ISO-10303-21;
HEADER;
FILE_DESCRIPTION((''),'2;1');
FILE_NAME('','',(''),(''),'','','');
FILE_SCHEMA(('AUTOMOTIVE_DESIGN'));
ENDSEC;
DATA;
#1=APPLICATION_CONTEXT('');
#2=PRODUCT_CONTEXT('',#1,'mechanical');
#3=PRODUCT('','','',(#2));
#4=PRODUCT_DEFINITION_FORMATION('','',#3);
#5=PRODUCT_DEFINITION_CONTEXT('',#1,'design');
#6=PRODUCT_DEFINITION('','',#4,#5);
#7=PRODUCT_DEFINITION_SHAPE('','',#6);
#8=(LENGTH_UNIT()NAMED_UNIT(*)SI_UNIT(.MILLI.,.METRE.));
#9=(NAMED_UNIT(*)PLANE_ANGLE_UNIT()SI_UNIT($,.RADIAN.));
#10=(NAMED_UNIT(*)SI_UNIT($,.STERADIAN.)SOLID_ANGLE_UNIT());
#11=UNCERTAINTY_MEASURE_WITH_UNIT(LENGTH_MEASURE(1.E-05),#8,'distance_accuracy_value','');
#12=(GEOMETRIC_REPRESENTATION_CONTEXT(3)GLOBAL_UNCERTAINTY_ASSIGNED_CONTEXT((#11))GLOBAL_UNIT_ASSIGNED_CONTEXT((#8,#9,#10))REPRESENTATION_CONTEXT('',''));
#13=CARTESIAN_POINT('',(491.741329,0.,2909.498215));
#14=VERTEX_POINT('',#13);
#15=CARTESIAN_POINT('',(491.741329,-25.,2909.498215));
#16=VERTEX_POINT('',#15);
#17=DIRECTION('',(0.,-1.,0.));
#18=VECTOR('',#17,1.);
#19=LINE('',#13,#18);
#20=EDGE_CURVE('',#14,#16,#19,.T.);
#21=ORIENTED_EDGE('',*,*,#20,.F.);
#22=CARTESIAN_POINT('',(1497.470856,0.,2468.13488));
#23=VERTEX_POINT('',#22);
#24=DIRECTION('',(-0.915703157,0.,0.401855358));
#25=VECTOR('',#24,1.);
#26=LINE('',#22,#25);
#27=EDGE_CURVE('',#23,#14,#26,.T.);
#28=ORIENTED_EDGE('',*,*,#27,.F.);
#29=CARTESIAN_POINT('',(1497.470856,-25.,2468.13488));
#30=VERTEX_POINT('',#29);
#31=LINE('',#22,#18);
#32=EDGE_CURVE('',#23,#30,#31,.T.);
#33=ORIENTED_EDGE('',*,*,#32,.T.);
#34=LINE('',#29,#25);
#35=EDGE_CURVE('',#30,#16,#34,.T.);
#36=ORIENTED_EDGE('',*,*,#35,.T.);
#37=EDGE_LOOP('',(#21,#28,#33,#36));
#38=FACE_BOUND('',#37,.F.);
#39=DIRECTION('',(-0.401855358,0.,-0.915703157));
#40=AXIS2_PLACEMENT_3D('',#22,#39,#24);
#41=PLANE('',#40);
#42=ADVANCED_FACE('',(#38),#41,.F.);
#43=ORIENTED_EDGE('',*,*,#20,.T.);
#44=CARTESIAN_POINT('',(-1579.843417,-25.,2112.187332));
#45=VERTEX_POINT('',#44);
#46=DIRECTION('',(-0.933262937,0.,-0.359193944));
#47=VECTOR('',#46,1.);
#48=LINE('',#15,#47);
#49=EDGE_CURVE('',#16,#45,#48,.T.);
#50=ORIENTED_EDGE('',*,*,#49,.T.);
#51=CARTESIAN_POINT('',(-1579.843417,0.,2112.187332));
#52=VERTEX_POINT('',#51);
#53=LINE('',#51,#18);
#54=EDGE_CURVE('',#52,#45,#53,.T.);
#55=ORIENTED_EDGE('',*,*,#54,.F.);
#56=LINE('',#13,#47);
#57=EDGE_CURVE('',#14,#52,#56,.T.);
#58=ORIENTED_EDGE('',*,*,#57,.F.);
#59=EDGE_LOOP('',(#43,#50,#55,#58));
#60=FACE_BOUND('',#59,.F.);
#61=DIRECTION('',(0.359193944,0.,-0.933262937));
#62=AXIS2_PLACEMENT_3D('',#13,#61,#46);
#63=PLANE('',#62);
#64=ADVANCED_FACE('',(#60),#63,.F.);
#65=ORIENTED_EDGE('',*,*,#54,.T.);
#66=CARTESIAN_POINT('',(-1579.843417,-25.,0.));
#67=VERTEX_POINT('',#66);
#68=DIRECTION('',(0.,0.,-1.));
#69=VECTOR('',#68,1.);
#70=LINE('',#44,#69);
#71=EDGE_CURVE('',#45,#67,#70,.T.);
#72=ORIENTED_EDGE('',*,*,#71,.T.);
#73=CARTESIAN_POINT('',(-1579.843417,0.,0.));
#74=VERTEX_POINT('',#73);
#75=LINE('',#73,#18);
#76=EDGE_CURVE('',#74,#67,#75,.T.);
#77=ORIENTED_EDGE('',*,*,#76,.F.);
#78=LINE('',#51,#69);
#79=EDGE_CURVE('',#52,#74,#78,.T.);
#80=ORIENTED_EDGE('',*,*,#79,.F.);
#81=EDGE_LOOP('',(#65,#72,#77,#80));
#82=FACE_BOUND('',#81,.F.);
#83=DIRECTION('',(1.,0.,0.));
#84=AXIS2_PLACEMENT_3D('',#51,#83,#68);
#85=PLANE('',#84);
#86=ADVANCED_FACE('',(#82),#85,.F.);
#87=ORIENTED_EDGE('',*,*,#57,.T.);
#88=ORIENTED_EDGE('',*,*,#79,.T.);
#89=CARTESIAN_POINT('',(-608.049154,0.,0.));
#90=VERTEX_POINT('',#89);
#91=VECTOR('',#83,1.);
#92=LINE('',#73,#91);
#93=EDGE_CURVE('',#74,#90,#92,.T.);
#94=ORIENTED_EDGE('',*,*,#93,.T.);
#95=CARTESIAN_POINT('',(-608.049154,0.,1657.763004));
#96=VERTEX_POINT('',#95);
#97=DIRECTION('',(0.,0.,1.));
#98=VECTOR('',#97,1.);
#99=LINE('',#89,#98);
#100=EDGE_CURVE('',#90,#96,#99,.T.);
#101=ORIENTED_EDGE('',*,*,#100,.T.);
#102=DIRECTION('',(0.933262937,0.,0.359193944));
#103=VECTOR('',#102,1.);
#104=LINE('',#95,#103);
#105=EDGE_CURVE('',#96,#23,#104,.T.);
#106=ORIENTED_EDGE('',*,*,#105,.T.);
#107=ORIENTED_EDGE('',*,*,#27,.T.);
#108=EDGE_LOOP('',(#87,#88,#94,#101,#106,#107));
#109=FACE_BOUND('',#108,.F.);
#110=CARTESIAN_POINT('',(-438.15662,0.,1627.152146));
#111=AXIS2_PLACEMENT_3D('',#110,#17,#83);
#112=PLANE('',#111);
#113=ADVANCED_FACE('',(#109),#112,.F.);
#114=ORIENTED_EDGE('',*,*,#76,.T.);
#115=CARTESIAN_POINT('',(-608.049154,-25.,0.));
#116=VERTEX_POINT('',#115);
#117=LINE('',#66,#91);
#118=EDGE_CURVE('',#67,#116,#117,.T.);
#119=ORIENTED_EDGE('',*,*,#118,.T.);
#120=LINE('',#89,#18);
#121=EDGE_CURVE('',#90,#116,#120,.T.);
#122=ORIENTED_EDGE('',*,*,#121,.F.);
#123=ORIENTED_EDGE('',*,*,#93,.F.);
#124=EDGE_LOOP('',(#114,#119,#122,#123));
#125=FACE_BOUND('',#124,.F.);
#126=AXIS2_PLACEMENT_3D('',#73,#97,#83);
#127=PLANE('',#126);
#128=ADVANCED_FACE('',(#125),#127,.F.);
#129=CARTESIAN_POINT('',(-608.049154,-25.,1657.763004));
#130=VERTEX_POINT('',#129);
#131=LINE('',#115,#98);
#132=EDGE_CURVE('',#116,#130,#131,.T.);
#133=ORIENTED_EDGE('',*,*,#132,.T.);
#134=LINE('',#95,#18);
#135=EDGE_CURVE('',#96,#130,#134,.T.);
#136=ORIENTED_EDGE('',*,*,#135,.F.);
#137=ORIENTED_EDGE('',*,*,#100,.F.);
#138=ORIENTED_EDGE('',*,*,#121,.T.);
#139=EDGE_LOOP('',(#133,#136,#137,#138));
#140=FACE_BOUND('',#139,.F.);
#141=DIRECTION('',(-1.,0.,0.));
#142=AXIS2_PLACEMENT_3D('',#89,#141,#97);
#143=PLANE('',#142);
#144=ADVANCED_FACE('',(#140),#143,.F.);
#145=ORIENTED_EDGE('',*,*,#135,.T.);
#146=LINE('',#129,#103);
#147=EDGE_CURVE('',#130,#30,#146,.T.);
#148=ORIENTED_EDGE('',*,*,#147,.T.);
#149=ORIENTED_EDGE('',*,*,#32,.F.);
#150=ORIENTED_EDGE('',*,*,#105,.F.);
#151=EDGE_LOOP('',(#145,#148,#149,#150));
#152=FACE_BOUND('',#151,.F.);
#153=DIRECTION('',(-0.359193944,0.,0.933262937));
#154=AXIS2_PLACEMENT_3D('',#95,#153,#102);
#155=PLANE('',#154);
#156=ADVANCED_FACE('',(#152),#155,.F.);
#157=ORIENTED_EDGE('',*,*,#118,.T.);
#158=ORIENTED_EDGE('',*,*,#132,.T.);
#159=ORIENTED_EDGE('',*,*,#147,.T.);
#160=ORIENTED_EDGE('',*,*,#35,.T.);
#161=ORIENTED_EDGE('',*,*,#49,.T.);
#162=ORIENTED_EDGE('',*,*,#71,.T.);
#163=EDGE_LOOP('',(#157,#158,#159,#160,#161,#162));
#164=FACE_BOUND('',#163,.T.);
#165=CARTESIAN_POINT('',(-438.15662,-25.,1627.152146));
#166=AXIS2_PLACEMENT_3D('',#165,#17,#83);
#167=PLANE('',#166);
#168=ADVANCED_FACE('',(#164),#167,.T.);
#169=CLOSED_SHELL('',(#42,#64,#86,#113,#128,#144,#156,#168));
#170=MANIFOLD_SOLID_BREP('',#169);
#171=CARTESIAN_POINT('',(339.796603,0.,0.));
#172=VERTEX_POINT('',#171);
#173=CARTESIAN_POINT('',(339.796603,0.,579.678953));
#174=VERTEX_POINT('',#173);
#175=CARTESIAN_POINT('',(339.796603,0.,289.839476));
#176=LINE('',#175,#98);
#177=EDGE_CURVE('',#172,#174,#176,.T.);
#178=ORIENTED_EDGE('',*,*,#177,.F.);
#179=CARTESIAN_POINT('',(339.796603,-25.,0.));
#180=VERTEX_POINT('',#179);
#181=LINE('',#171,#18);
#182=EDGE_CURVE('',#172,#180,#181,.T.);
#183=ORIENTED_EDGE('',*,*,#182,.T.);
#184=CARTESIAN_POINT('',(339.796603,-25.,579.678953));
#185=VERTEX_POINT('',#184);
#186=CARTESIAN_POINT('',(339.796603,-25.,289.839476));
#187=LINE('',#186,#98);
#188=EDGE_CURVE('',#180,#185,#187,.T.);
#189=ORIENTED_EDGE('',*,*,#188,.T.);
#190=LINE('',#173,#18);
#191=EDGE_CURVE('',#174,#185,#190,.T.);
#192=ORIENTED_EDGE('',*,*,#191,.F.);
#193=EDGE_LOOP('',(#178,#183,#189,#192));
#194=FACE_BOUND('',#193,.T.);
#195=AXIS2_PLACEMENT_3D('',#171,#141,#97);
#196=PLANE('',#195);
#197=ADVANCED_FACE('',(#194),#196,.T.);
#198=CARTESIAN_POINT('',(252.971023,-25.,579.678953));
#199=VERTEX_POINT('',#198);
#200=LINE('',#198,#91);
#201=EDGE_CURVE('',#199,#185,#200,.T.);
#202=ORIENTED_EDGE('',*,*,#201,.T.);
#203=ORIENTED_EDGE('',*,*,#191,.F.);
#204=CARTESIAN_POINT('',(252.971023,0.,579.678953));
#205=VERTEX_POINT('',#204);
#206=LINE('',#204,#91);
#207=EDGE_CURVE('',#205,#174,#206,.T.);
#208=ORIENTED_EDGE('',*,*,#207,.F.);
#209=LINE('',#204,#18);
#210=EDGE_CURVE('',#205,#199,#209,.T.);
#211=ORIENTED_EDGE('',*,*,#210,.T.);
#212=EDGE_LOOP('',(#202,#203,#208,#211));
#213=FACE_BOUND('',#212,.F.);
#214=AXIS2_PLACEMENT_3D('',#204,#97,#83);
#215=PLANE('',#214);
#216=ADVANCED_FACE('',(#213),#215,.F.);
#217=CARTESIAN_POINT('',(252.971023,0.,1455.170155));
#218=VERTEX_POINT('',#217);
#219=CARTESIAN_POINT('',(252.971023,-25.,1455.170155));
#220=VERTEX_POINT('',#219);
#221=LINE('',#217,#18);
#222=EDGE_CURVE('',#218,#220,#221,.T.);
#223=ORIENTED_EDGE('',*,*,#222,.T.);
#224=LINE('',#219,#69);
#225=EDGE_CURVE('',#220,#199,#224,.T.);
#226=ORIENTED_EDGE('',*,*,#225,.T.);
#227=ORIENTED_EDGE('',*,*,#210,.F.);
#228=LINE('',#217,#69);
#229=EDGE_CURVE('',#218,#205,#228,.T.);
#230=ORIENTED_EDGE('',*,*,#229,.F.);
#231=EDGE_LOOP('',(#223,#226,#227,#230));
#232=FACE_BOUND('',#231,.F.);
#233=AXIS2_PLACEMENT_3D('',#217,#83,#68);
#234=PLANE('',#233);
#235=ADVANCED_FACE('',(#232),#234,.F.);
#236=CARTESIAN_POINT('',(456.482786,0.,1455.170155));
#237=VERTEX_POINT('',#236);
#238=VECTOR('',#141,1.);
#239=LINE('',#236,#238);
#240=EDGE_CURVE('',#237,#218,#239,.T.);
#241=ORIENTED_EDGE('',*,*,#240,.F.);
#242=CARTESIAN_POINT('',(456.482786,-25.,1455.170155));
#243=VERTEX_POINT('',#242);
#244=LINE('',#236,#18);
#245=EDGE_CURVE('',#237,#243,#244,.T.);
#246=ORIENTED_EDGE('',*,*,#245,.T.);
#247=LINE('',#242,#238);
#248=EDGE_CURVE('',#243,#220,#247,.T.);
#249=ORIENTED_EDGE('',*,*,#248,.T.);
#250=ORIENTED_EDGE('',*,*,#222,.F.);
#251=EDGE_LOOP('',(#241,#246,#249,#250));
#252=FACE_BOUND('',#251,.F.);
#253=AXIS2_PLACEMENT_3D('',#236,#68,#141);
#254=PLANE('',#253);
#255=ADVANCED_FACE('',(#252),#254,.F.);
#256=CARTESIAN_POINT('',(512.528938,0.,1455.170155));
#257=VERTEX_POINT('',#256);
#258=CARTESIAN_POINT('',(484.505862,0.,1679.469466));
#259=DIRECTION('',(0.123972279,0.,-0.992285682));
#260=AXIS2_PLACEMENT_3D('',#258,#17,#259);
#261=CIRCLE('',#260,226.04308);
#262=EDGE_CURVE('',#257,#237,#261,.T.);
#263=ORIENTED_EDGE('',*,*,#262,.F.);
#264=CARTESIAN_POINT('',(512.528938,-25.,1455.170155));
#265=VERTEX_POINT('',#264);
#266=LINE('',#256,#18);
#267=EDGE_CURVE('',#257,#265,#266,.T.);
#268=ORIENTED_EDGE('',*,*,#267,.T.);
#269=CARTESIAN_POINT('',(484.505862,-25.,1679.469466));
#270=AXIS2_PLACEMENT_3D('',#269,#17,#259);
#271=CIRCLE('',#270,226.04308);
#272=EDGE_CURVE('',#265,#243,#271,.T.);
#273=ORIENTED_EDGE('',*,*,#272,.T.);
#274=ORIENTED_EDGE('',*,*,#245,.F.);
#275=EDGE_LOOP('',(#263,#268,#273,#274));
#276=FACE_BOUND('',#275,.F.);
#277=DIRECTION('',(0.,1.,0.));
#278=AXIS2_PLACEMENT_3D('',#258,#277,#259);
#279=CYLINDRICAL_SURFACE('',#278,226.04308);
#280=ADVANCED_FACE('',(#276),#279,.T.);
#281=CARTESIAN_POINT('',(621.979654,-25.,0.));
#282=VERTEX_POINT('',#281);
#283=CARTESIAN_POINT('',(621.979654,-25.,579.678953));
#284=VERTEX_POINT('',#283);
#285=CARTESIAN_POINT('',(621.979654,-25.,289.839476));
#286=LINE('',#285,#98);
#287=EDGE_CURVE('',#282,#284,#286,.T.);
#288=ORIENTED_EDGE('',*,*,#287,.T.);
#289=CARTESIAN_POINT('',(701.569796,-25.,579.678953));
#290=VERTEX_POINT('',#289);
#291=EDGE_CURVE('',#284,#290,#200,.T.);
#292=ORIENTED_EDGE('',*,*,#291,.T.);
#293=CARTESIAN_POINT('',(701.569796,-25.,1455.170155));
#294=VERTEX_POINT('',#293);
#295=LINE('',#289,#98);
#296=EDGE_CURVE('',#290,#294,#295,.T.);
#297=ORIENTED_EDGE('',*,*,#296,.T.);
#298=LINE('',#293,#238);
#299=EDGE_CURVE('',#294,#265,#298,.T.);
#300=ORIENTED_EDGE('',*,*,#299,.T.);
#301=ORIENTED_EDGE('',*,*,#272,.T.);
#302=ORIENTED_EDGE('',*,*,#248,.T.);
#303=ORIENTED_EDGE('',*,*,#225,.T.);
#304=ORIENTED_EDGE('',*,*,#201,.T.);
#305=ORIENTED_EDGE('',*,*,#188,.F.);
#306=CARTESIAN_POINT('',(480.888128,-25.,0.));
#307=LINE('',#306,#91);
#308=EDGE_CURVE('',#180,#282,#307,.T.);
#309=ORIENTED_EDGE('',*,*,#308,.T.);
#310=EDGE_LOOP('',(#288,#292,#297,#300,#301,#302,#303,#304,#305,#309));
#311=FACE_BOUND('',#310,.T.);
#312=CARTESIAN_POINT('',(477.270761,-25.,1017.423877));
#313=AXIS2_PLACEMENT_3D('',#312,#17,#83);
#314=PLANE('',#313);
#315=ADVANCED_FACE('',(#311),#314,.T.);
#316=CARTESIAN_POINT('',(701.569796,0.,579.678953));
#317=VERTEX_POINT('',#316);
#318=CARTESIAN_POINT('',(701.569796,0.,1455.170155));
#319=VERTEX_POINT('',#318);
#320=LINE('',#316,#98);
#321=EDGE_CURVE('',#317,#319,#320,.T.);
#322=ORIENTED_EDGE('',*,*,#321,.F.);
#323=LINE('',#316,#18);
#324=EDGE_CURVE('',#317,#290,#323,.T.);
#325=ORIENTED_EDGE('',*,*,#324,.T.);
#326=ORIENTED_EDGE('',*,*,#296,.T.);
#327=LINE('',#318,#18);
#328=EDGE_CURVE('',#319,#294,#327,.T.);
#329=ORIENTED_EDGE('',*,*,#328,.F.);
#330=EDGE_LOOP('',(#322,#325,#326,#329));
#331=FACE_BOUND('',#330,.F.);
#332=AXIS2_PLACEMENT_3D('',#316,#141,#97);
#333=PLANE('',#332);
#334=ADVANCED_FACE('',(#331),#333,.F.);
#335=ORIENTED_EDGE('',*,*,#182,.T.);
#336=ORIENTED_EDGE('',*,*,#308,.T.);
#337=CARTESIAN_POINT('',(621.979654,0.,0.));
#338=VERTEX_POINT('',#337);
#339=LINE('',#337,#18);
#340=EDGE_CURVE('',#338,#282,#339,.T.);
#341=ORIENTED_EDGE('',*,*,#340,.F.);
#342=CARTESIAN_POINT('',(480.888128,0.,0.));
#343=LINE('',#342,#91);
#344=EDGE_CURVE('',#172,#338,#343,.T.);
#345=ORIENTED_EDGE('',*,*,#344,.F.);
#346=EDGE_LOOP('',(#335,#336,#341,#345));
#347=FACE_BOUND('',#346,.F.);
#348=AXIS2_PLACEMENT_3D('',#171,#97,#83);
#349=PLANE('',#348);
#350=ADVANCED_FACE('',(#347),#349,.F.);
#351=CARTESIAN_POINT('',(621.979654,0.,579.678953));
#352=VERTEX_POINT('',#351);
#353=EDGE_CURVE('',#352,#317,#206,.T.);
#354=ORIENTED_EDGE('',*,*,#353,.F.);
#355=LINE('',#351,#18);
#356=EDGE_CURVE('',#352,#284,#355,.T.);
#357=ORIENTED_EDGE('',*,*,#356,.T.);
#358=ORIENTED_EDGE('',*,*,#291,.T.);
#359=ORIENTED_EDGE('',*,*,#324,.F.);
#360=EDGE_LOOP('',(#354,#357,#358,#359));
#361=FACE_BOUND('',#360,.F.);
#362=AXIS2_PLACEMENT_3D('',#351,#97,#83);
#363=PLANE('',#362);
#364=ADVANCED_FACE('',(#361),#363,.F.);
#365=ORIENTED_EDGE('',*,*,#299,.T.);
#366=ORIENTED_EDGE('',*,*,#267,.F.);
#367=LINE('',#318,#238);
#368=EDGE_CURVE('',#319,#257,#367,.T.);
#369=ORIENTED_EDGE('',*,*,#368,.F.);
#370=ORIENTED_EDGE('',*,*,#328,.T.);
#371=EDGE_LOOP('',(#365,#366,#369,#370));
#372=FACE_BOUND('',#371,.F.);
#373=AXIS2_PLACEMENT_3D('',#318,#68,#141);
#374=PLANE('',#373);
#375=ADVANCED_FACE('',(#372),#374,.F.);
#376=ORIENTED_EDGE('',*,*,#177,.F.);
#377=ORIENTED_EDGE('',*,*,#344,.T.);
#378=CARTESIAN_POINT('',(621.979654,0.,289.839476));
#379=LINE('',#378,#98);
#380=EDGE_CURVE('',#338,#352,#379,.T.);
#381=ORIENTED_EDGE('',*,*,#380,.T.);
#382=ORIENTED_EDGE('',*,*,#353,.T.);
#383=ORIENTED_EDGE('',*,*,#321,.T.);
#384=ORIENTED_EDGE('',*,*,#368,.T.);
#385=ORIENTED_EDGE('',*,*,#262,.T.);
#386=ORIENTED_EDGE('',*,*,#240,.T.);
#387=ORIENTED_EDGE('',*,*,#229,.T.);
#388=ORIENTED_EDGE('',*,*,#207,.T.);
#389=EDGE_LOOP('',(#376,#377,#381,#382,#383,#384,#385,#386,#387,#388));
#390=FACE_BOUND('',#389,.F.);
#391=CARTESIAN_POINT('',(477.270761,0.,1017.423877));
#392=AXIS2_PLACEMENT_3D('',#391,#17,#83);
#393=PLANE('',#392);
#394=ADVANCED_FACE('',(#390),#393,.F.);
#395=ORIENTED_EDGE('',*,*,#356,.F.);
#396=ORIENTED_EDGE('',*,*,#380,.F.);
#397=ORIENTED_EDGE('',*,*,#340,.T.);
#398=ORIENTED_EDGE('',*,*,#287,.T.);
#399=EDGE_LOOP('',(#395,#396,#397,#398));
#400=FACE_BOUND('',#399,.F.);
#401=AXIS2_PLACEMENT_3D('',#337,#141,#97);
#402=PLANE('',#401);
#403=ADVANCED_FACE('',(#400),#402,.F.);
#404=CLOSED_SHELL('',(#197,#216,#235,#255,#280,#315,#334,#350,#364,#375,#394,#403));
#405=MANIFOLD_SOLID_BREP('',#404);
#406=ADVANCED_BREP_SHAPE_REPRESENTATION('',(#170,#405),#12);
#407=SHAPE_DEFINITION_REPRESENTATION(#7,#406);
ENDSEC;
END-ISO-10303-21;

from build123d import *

# Parameters (mm, degrees)
F2_DEPTH = 25
F0_W     = 282.1830511093
F0_H     = 579.6789526939
F3_DEPTH = 25


with BuildPart() as f2:
    # F1 (on Front) → F2 (new body)
    with BuildSketch(Plane.XZ):
        Polygon((-1579.8434172484, 0), (-608.0491542816, 0), (-608.0491542816, 1657.763004303), (1497.4708557129, 2468.1348800659), (491.7413294315, 2909.4982147217), (-1579.8434172484, 2112.1873323742), align=None)
    extrude(amount=F2_DEPTH)


with BuildPart() as f3:
    # F0 (on Front) → F3 (new body)
    with BuildSketch(Plane.XZ):
        with BuildLine():
            Line((252.9710233212, 579.6789526939), (339.796602726, 579.6789526939))
            Line((339.796602726, 579.6789526939), (621.9796538353, 579.6789526939))
            Line((621.9796538353, 579.6789526939), (701.5697956085, 579.6789526939))
            Line((701.5697956085, 579.6789526939), (701.5697956085, 1455.1701545715))
            Line((701.5697956085, 1455.1701545715), (512.5289377179, 1455.1701545715))
            ThreePointArc((512.5289377179, 1455.1701545715), (484.5058619976, 1453.4263863019), (456.4827862773, 1455.1701545715))
            Line((456.4827862773, 1455.1701545715), (252.9710233212, 1455.1701545715))
            Line((252.9710233212, 1455.1701545715), (252.9710233212, 579.6789526939))
        make_face()
        with Locations((480.8881282806, 289.839476347)):
            Rectangle(F0_W, F0_H)
        with BuildLine():
            ThreePointArc((710.5489419051, 1679.4694662094), (334.9046393593, 1848.9243220241), (456.4827862773, 1455.1701545715))
            Line((456.4827862773, 1455.1701545715), (512.5289377179, 1455.1701545715))
            ThreePointArc((512.5289377179, 1455.1701545715), (653.9607178123, 1529.8682435711), (710.5489419051, 1679.4694662094))
        make_face()
        with BuildLine():
            Line((512.5289377179, 1455.1701545715), (456.4827862773, 1455.1701545715))
            ThreePointArc((456.4827862773, 1455.1701545715), (484.5058619976, 1453.4263863019), (512.5289377179, 1455.1701545715))
        make_face()
    extrude(amount=F3_DEPTH)


solid = Compound([f2.part, f3.part])
